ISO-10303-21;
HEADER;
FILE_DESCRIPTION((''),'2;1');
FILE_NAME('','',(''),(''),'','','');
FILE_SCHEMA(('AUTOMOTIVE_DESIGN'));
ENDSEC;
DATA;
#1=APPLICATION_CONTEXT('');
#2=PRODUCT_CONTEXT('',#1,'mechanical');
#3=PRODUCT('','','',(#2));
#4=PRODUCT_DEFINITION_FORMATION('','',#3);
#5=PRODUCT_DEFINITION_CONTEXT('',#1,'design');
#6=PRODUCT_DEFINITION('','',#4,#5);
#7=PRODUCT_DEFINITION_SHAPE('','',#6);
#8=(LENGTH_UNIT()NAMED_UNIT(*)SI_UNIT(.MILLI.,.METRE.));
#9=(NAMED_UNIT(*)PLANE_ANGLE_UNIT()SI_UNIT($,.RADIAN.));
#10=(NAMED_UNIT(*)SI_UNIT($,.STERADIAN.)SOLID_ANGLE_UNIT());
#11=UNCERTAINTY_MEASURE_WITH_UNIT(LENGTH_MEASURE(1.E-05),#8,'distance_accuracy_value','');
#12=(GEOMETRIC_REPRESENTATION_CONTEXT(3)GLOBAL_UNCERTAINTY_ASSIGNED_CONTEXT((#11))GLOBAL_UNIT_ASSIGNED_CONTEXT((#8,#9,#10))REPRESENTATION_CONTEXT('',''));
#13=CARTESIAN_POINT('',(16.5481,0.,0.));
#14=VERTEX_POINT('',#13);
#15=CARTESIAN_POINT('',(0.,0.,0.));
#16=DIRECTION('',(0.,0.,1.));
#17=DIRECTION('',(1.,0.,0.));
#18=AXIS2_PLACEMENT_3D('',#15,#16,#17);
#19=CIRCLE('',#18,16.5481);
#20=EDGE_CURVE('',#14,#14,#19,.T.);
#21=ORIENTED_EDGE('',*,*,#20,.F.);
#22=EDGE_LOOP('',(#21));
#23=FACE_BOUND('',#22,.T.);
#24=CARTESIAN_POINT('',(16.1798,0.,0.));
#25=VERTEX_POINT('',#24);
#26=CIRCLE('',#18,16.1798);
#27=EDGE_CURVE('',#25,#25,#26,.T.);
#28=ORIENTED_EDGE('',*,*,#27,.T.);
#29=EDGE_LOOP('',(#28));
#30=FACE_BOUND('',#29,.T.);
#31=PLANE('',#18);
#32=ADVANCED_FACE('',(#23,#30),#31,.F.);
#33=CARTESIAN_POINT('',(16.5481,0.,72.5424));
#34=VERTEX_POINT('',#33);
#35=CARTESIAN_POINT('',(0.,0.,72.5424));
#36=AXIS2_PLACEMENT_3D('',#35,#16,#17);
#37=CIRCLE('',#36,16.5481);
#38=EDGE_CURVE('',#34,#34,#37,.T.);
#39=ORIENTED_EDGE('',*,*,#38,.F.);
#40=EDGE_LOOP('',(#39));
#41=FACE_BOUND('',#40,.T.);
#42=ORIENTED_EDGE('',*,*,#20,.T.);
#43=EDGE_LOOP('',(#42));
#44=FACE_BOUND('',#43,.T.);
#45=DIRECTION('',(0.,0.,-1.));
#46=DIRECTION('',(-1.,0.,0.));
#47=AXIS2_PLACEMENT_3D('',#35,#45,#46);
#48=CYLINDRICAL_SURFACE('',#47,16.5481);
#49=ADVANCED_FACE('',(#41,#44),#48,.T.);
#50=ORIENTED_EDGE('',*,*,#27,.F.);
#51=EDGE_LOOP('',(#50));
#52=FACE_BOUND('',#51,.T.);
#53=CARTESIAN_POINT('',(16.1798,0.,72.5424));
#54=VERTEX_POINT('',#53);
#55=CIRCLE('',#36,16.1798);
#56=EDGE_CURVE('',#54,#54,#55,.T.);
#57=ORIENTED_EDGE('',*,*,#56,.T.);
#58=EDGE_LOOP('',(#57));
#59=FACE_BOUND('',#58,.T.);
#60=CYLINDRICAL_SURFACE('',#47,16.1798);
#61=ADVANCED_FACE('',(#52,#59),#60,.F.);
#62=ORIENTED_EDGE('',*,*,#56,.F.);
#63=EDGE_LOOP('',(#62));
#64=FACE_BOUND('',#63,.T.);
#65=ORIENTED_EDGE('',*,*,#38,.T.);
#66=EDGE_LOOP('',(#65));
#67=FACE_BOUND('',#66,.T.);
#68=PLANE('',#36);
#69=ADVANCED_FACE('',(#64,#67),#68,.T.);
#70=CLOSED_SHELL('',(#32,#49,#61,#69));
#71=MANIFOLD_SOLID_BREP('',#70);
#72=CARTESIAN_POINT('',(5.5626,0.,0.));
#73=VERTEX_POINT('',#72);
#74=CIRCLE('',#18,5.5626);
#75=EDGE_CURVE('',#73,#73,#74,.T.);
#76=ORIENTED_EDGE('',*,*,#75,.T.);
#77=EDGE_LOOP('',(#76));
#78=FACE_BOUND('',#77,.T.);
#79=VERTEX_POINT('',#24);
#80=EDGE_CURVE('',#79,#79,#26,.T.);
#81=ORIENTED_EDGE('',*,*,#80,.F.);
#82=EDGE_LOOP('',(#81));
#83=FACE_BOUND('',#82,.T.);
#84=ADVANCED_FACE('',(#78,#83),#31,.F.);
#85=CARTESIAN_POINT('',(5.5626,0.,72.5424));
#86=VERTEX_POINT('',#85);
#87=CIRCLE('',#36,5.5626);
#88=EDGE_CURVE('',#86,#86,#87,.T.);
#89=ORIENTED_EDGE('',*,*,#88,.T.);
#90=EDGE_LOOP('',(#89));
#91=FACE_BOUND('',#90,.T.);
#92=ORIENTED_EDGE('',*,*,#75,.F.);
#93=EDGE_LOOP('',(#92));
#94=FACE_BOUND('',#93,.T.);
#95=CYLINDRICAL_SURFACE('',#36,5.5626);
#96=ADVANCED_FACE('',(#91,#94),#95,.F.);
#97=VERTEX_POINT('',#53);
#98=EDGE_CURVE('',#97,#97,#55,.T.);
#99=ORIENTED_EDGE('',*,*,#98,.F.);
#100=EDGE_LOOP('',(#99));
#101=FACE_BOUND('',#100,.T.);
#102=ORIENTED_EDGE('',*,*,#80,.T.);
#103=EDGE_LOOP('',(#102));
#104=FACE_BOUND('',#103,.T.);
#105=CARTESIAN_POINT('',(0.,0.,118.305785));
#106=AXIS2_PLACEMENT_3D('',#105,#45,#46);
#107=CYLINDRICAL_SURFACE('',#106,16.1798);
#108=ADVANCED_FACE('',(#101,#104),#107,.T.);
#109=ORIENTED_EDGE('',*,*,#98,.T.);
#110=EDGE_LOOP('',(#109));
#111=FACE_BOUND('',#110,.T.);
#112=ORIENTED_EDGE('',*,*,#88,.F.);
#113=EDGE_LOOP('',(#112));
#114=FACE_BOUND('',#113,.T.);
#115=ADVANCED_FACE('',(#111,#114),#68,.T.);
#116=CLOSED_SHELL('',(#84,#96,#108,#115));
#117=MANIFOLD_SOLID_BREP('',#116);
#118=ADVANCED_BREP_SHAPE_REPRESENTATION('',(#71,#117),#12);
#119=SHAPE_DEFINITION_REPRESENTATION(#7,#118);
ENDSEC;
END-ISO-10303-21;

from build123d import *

# Parameters (mm, degrees)
SKETCH1_R           = 16.5481
SKETCH1_R_2         = 16.1798
BOSS_EXTRUDE1_DEPTH = 72.5424
SKETCH2_R           = 16.1798
BOSS_EXTRUDE2_DEPTH = 72.5424
SKETCH4_W           = 5.5626
SKETCH4_H           = 72.5424


with BuildPart() as part:
    # Sketch1 → Boss-Extrude1 (new body)
    with BuildSketch(Plane.XY):
        Circle(SKETCH1_R)
        Circle(SKETCH1_R_2, mode=Mode.SUBTRACT)
    extrude(amount=BOSS_EXTRUDE1_DEPTH)


with BuildPart() as body_2:
    # Sketch2 → Boss-Extrude2 (new body)
    with BuildSketch(Plane.XY):
        Circle(SKETCH2_R)
    extrude(amount=BOSS_EXTRUDE2_DEPTH)

    # Sketch4 → 7/16 (0.438) Diameter Hole1 (revolve, cut)
    with BuildSketch(Plane(origin=(0, 0, 72.5424), x_dir=(0, -1, 0), z_dir=(1, 0, 0))):
        with Locations((2.7813, 36.2712)):
            Rectangle(SKETCH4_W, SKETCH4_H)
    revolve(axis=Axis((0, 0, 78.8924), (0, 0, -1)), mode=Mode.SUBTRACT)


solid = Compound([part.part, body_2.part])
